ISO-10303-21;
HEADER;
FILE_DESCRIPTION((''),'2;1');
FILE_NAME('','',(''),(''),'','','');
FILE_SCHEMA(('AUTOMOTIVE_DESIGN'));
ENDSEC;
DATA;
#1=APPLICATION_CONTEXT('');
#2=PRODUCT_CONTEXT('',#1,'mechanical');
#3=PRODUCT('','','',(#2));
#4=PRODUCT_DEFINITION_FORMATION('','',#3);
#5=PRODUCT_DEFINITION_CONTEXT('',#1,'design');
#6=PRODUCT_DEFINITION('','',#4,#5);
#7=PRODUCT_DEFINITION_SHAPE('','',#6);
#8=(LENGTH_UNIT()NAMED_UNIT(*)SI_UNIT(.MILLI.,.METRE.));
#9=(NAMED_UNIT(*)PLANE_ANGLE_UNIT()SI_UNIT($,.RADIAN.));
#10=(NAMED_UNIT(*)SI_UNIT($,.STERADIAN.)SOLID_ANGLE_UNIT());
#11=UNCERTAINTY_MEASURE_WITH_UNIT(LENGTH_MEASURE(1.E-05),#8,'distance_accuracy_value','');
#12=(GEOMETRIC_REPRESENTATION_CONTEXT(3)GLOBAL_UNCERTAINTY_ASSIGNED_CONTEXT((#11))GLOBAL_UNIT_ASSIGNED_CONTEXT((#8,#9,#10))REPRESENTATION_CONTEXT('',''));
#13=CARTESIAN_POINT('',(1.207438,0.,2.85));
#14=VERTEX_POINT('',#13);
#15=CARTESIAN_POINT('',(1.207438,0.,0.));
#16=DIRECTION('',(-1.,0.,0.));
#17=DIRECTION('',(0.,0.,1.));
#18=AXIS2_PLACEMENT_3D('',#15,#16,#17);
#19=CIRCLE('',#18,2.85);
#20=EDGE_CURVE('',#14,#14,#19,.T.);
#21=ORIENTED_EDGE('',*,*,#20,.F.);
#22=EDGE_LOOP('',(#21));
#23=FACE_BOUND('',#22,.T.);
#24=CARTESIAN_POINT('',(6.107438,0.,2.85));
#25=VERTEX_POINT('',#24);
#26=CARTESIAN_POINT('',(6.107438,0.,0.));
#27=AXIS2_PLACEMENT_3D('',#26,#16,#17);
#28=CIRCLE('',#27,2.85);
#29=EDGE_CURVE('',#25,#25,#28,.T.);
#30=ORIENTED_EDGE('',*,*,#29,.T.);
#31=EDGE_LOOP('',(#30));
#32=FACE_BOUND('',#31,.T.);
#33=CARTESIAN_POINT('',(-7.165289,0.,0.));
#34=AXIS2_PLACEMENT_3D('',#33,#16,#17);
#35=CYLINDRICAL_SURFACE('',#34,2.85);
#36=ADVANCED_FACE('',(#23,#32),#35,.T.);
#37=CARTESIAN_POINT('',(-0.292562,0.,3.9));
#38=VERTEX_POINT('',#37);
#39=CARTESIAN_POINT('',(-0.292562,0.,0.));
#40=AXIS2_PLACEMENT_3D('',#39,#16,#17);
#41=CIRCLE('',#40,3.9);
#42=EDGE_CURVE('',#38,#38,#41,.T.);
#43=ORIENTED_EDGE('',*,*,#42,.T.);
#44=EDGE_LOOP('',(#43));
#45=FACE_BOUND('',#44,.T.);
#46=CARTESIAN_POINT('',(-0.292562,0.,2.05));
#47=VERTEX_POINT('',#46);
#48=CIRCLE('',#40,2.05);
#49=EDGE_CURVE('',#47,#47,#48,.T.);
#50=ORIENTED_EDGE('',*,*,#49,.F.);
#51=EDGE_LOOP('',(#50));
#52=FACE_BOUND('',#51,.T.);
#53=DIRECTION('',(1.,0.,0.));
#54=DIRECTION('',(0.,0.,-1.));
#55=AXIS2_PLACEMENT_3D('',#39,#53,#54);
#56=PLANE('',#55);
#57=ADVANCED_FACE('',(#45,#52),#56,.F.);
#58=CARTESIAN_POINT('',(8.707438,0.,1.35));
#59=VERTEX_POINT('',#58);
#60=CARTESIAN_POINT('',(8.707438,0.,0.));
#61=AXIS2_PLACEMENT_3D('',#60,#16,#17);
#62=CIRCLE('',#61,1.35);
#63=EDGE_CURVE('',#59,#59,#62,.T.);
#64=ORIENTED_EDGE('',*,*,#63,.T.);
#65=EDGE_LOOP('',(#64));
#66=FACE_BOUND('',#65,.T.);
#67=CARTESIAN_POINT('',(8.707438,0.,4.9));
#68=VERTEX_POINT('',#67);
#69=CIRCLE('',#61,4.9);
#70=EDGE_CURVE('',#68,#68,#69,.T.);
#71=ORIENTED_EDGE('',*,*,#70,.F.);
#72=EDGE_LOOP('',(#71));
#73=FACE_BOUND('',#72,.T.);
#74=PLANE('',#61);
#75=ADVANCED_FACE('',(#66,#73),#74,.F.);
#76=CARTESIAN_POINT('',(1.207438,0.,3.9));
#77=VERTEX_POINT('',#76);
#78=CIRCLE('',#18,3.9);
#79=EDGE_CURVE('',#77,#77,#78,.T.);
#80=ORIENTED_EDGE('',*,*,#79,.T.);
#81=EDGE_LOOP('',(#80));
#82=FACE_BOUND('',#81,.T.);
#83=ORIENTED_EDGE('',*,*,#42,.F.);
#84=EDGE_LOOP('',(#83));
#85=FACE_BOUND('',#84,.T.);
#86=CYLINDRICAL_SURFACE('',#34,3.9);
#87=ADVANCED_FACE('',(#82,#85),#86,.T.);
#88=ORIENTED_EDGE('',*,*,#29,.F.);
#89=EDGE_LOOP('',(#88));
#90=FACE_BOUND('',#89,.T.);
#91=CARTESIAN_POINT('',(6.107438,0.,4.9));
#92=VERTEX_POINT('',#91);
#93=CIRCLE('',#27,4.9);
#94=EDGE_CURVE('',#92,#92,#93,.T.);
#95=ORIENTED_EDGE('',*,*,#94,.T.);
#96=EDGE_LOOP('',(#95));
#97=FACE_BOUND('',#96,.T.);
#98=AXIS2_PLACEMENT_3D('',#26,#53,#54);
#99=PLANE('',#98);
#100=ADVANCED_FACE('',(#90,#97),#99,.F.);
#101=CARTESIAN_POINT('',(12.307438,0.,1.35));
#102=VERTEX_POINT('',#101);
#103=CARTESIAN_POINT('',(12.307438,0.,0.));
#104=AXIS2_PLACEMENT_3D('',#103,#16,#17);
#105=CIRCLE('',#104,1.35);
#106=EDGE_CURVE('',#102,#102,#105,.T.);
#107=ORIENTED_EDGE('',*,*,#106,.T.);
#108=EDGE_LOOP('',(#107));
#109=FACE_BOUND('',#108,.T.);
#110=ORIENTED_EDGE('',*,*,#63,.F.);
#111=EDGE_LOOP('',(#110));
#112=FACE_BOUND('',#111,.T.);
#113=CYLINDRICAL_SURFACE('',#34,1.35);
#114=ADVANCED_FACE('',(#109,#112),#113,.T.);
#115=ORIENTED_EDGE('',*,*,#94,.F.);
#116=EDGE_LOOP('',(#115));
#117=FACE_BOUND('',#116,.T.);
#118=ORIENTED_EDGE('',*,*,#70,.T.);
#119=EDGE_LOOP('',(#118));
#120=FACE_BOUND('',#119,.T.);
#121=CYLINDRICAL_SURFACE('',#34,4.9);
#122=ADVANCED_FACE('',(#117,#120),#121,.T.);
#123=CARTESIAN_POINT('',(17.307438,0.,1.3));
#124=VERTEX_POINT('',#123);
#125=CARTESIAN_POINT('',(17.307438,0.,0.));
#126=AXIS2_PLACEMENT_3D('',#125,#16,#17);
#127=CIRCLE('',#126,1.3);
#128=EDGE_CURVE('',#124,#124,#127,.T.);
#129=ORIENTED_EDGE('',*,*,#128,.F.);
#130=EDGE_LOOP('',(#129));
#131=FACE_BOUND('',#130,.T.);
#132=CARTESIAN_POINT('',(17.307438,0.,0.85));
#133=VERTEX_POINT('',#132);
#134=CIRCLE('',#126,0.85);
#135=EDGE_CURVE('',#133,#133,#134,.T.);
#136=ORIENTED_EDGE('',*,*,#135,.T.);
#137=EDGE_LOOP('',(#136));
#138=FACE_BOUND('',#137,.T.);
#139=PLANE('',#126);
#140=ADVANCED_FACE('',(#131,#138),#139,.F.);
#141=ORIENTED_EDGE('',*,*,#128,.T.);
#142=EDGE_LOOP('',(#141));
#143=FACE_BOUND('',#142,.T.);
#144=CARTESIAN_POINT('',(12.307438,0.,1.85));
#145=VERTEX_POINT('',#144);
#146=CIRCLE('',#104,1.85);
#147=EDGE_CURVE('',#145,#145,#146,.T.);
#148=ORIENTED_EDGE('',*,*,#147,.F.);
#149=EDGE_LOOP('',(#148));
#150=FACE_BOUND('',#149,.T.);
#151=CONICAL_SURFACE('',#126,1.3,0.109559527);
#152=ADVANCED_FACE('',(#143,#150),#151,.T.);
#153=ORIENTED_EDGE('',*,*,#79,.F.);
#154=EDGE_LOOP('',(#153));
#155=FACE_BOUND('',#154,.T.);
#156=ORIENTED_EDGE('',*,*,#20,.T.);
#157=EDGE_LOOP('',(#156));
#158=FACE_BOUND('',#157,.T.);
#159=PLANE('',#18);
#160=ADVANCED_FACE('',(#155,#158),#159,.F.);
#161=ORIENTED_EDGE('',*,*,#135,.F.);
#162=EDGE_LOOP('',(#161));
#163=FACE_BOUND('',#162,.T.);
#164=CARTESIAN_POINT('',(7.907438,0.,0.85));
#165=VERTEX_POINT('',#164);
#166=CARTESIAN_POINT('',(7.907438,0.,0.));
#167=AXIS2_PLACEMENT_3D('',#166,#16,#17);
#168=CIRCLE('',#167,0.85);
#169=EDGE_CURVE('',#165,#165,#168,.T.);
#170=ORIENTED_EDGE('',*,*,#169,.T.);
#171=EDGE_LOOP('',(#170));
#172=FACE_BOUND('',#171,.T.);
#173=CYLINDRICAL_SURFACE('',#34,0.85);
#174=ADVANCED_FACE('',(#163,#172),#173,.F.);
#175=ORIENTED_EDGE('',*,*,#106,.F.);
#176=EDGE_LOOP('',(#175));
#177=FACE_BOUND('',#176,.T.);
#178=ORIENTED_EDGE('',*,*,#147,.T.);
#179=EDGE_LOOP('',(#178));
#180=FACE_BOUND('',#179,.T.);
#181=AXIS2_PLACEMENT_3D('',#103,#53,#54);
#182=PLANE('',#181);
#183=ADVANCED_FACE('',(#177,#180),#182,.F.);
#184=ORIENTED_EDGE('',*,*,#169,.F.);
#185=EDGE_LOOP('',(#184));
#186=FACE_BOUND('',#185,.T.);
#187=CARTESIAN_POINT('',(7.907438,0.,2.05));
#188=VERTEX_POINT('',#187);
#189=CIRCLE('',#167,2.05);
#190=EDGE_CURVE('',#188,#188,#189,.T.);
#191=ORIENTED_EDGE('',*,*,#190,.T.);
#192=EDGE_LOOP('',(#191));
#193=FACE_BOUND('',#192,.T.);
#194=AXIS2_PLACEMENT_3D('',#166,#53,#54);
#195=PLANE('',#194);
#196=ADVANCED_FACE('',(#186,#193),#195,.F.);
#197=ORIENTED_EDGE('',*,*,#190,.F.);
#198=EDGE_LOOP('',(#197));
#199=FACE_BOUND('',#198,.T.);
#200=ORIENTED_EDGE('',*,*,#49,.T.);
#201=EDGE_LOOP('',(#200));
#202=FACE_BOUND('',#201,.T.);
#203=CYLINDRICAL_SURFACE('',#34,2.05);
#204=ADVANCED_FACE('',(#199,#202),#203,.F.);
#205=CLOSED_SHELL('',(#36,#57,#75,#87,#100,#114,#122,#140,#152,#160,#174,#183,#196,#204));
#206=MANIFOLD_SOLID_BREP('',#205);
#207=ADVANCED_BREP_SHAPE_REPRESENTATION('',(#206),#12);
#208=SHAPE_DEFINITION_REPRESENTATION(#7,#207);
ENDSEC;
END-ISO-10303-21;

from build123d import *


with BuildPart() as part:
    # Sketch1 → Revolve1 (revolve)
    with BuildSketch(Plane.XY, mode=Mode.PRIVATE) as revolve1_sk:
        Polygon((17.307438017, 0.85), (17.307438017, 1.3), (12.307438017, 1.85), (12.307438017, 1.35), (8.707438017, 1.35), (8.707438017, 4.9), (6.107438017, 4.9), (6.107438017, 2.85), (1.207438017, 2.85), (1.207438017, 3.9), (-0.292561983, 3.9), (-0.292561983, 2.05), (7.907438017, 2.05), (7.907438017, 0.85), align=None)
    revolve(revolve1_sk.sketch.rotate(Axis((-7.165289256, 0, 0), (1, 0, 0)), 90), axis=Axis((-7.165289256, 0, 0), (1, 0, 0)))


solid = part.part
